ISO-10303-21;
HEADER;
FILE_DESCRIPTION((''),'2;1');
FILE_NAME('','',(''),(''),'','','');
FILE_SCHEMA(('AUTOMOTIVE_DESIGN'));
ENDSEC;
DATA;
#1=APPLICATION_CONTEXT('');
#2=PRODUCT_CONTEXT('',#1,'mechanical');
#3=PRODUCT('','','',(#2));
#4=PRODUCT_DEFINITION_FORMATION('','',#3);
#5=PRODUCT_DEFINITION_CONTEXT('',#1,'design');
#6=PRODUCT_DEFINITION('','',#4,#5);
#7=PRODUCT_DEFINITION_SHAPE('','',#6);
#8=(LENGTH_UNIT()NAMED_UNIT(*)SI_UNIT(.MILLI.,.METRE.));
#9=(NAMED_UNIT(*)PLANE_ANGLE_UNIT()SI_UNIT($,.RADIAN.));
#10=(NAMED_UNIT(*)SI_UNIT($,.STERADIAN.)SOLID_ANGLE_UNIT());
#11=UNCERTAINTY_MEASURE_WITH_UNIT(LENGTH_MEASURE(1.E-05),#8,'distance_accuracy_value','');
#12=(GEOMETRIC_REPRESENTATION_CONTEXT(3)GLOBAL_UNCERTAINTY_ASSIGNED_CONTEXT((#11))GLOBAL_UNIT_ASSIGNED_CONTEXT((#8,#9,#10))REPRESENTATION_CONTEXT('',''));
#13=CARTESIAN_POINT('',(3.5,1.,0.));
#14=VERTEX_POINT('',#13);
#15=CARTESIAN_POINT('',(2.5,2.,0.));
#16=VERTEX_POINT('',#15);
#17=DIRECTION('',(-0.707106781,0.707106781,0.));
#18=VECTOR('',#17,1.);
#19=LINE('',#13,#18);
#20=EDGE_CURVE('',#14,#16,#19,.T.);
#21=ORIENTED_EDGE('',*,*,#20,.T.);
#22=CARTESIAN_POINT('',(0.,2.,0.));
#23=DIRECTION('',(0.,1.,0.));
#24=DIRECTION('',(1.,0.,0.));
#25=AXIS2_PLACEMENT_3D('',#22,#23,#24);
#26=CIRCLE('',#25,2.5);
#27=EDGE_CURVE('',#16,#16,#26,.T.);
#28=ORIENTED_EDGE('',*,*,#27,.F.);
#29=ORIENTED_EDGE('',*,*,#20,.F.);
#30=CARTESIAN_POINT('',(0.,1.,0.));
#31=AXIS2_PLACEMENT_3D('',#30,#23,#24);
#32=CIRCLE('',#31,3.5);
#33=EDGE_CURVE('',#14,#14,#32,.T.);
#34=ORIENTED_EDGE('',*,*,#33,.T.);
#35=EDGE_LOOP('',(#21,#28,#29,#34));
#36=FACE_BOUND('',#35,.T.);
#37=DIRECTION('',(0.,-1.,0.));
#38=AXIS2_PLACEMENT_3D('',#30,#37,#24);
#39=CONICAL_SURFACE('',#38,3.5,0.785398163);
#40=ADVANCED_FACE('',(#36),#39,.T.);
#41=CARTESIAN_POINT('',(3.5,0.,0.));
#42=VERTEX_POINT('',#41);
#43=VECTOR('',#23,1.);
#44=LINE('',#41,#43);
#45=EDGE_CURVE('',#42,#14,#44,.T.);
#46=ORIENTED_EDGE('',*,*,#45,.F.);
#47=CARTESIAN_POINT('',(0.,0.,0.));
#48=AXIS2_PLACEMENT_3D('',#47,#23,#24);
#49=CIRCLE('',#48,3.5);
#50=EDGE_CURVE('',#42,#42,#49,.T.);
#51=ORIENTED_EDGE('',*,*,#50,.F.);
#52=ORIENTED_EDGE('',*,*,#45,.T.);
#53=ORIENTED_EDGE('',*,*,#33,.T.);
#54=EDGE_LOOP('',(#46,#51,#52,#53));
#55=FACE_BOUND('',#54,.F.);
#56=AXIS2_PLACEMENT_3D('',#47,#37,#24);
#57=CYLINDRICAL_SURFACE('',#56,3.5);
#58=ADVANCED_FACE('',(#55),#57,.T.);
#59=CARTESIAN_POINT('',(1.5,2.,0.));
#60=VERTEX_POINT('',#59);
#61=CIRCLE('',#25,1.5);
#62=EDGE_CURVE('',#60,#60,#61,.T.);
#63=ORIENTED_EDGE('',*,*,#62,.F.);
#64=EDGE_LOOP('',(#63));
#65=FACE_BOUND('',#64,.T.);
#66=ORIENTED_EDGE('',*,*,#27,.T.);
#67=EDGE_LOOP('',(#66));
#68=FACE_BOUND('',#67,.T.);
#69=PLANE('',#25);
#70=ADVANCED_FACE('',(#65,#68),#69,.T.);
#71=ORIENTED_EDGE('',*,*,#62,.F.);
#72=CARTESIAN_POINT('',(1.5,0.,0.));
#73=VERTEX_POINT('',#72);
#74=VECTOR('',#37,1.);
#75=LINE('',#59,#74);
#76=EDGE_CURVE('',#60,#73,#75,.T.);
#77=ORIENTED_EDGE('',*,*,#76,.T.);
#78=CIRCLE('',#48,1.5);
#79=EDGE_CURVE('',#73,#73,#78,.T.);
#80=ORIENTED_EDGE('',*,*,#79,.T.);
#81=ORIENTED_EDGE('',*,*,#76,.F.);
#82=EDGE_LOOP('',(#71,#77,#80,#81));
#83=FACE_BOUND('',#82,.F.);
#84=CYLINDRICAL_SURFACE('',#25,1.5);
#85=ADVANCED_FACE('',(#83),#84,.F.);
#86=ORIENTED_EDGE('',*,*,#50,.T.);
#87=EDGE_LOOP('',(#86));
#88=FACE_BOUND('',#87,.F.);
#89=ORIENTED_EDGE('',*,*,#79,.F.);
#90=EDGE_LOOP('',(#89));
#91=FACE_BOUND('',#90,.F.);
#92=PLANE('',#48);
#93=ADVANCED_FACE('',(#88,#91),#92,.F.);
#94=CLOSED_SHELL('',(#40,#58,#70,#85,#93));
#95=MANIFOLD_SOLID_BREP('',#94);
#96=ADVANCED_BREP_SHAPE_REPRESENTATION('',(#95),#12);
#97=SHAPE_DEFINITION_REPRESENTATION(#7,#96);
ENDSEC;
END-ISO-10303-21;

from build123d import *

# Parameters (mm, degrees)
SKETCH1_R           = 3.5
BOSS_EXTRUDE1_DEPTH = 2
CHAMFER1_SIZE       = 1
SKETCH2_R           = 1.5
CUT_EXTRUDE1_DEPTH  = 2


with BuildPart() as part:
    # Sketch1 → Boss-Extrude1 (new body)
    with BuildSketch(Plane(origin=(0, 0, 0), x_dir=(1, 0, 0), z_dir=(0, 1, 0))):
        Circle(SKETCH1_R)
    extrude(amount=BOSS_EXTRUDE1_DEPTH)

    # Chamfer1
    chamfer1_edges = [part.edges().sort_by_distance(p)[0] for p in [
        (-3.5, 2, 0),
    ]]
    chamfer(chamfer1_edges, length=CHAMFER1_SIZE)

    # Sketch2 → Cut-Extrude1 (cut)
    with BuildSketch(Plane(origin=(0, 2, 0), x_dir=(1, 0, 0), z_dir=(0, 1, 0))):
        Circle(SKETCH2_R)
    extrude(amount=-CUT_EXTRUDE1_DEPTH, mode=Mode.SUBTRACT)


solid = part.part
